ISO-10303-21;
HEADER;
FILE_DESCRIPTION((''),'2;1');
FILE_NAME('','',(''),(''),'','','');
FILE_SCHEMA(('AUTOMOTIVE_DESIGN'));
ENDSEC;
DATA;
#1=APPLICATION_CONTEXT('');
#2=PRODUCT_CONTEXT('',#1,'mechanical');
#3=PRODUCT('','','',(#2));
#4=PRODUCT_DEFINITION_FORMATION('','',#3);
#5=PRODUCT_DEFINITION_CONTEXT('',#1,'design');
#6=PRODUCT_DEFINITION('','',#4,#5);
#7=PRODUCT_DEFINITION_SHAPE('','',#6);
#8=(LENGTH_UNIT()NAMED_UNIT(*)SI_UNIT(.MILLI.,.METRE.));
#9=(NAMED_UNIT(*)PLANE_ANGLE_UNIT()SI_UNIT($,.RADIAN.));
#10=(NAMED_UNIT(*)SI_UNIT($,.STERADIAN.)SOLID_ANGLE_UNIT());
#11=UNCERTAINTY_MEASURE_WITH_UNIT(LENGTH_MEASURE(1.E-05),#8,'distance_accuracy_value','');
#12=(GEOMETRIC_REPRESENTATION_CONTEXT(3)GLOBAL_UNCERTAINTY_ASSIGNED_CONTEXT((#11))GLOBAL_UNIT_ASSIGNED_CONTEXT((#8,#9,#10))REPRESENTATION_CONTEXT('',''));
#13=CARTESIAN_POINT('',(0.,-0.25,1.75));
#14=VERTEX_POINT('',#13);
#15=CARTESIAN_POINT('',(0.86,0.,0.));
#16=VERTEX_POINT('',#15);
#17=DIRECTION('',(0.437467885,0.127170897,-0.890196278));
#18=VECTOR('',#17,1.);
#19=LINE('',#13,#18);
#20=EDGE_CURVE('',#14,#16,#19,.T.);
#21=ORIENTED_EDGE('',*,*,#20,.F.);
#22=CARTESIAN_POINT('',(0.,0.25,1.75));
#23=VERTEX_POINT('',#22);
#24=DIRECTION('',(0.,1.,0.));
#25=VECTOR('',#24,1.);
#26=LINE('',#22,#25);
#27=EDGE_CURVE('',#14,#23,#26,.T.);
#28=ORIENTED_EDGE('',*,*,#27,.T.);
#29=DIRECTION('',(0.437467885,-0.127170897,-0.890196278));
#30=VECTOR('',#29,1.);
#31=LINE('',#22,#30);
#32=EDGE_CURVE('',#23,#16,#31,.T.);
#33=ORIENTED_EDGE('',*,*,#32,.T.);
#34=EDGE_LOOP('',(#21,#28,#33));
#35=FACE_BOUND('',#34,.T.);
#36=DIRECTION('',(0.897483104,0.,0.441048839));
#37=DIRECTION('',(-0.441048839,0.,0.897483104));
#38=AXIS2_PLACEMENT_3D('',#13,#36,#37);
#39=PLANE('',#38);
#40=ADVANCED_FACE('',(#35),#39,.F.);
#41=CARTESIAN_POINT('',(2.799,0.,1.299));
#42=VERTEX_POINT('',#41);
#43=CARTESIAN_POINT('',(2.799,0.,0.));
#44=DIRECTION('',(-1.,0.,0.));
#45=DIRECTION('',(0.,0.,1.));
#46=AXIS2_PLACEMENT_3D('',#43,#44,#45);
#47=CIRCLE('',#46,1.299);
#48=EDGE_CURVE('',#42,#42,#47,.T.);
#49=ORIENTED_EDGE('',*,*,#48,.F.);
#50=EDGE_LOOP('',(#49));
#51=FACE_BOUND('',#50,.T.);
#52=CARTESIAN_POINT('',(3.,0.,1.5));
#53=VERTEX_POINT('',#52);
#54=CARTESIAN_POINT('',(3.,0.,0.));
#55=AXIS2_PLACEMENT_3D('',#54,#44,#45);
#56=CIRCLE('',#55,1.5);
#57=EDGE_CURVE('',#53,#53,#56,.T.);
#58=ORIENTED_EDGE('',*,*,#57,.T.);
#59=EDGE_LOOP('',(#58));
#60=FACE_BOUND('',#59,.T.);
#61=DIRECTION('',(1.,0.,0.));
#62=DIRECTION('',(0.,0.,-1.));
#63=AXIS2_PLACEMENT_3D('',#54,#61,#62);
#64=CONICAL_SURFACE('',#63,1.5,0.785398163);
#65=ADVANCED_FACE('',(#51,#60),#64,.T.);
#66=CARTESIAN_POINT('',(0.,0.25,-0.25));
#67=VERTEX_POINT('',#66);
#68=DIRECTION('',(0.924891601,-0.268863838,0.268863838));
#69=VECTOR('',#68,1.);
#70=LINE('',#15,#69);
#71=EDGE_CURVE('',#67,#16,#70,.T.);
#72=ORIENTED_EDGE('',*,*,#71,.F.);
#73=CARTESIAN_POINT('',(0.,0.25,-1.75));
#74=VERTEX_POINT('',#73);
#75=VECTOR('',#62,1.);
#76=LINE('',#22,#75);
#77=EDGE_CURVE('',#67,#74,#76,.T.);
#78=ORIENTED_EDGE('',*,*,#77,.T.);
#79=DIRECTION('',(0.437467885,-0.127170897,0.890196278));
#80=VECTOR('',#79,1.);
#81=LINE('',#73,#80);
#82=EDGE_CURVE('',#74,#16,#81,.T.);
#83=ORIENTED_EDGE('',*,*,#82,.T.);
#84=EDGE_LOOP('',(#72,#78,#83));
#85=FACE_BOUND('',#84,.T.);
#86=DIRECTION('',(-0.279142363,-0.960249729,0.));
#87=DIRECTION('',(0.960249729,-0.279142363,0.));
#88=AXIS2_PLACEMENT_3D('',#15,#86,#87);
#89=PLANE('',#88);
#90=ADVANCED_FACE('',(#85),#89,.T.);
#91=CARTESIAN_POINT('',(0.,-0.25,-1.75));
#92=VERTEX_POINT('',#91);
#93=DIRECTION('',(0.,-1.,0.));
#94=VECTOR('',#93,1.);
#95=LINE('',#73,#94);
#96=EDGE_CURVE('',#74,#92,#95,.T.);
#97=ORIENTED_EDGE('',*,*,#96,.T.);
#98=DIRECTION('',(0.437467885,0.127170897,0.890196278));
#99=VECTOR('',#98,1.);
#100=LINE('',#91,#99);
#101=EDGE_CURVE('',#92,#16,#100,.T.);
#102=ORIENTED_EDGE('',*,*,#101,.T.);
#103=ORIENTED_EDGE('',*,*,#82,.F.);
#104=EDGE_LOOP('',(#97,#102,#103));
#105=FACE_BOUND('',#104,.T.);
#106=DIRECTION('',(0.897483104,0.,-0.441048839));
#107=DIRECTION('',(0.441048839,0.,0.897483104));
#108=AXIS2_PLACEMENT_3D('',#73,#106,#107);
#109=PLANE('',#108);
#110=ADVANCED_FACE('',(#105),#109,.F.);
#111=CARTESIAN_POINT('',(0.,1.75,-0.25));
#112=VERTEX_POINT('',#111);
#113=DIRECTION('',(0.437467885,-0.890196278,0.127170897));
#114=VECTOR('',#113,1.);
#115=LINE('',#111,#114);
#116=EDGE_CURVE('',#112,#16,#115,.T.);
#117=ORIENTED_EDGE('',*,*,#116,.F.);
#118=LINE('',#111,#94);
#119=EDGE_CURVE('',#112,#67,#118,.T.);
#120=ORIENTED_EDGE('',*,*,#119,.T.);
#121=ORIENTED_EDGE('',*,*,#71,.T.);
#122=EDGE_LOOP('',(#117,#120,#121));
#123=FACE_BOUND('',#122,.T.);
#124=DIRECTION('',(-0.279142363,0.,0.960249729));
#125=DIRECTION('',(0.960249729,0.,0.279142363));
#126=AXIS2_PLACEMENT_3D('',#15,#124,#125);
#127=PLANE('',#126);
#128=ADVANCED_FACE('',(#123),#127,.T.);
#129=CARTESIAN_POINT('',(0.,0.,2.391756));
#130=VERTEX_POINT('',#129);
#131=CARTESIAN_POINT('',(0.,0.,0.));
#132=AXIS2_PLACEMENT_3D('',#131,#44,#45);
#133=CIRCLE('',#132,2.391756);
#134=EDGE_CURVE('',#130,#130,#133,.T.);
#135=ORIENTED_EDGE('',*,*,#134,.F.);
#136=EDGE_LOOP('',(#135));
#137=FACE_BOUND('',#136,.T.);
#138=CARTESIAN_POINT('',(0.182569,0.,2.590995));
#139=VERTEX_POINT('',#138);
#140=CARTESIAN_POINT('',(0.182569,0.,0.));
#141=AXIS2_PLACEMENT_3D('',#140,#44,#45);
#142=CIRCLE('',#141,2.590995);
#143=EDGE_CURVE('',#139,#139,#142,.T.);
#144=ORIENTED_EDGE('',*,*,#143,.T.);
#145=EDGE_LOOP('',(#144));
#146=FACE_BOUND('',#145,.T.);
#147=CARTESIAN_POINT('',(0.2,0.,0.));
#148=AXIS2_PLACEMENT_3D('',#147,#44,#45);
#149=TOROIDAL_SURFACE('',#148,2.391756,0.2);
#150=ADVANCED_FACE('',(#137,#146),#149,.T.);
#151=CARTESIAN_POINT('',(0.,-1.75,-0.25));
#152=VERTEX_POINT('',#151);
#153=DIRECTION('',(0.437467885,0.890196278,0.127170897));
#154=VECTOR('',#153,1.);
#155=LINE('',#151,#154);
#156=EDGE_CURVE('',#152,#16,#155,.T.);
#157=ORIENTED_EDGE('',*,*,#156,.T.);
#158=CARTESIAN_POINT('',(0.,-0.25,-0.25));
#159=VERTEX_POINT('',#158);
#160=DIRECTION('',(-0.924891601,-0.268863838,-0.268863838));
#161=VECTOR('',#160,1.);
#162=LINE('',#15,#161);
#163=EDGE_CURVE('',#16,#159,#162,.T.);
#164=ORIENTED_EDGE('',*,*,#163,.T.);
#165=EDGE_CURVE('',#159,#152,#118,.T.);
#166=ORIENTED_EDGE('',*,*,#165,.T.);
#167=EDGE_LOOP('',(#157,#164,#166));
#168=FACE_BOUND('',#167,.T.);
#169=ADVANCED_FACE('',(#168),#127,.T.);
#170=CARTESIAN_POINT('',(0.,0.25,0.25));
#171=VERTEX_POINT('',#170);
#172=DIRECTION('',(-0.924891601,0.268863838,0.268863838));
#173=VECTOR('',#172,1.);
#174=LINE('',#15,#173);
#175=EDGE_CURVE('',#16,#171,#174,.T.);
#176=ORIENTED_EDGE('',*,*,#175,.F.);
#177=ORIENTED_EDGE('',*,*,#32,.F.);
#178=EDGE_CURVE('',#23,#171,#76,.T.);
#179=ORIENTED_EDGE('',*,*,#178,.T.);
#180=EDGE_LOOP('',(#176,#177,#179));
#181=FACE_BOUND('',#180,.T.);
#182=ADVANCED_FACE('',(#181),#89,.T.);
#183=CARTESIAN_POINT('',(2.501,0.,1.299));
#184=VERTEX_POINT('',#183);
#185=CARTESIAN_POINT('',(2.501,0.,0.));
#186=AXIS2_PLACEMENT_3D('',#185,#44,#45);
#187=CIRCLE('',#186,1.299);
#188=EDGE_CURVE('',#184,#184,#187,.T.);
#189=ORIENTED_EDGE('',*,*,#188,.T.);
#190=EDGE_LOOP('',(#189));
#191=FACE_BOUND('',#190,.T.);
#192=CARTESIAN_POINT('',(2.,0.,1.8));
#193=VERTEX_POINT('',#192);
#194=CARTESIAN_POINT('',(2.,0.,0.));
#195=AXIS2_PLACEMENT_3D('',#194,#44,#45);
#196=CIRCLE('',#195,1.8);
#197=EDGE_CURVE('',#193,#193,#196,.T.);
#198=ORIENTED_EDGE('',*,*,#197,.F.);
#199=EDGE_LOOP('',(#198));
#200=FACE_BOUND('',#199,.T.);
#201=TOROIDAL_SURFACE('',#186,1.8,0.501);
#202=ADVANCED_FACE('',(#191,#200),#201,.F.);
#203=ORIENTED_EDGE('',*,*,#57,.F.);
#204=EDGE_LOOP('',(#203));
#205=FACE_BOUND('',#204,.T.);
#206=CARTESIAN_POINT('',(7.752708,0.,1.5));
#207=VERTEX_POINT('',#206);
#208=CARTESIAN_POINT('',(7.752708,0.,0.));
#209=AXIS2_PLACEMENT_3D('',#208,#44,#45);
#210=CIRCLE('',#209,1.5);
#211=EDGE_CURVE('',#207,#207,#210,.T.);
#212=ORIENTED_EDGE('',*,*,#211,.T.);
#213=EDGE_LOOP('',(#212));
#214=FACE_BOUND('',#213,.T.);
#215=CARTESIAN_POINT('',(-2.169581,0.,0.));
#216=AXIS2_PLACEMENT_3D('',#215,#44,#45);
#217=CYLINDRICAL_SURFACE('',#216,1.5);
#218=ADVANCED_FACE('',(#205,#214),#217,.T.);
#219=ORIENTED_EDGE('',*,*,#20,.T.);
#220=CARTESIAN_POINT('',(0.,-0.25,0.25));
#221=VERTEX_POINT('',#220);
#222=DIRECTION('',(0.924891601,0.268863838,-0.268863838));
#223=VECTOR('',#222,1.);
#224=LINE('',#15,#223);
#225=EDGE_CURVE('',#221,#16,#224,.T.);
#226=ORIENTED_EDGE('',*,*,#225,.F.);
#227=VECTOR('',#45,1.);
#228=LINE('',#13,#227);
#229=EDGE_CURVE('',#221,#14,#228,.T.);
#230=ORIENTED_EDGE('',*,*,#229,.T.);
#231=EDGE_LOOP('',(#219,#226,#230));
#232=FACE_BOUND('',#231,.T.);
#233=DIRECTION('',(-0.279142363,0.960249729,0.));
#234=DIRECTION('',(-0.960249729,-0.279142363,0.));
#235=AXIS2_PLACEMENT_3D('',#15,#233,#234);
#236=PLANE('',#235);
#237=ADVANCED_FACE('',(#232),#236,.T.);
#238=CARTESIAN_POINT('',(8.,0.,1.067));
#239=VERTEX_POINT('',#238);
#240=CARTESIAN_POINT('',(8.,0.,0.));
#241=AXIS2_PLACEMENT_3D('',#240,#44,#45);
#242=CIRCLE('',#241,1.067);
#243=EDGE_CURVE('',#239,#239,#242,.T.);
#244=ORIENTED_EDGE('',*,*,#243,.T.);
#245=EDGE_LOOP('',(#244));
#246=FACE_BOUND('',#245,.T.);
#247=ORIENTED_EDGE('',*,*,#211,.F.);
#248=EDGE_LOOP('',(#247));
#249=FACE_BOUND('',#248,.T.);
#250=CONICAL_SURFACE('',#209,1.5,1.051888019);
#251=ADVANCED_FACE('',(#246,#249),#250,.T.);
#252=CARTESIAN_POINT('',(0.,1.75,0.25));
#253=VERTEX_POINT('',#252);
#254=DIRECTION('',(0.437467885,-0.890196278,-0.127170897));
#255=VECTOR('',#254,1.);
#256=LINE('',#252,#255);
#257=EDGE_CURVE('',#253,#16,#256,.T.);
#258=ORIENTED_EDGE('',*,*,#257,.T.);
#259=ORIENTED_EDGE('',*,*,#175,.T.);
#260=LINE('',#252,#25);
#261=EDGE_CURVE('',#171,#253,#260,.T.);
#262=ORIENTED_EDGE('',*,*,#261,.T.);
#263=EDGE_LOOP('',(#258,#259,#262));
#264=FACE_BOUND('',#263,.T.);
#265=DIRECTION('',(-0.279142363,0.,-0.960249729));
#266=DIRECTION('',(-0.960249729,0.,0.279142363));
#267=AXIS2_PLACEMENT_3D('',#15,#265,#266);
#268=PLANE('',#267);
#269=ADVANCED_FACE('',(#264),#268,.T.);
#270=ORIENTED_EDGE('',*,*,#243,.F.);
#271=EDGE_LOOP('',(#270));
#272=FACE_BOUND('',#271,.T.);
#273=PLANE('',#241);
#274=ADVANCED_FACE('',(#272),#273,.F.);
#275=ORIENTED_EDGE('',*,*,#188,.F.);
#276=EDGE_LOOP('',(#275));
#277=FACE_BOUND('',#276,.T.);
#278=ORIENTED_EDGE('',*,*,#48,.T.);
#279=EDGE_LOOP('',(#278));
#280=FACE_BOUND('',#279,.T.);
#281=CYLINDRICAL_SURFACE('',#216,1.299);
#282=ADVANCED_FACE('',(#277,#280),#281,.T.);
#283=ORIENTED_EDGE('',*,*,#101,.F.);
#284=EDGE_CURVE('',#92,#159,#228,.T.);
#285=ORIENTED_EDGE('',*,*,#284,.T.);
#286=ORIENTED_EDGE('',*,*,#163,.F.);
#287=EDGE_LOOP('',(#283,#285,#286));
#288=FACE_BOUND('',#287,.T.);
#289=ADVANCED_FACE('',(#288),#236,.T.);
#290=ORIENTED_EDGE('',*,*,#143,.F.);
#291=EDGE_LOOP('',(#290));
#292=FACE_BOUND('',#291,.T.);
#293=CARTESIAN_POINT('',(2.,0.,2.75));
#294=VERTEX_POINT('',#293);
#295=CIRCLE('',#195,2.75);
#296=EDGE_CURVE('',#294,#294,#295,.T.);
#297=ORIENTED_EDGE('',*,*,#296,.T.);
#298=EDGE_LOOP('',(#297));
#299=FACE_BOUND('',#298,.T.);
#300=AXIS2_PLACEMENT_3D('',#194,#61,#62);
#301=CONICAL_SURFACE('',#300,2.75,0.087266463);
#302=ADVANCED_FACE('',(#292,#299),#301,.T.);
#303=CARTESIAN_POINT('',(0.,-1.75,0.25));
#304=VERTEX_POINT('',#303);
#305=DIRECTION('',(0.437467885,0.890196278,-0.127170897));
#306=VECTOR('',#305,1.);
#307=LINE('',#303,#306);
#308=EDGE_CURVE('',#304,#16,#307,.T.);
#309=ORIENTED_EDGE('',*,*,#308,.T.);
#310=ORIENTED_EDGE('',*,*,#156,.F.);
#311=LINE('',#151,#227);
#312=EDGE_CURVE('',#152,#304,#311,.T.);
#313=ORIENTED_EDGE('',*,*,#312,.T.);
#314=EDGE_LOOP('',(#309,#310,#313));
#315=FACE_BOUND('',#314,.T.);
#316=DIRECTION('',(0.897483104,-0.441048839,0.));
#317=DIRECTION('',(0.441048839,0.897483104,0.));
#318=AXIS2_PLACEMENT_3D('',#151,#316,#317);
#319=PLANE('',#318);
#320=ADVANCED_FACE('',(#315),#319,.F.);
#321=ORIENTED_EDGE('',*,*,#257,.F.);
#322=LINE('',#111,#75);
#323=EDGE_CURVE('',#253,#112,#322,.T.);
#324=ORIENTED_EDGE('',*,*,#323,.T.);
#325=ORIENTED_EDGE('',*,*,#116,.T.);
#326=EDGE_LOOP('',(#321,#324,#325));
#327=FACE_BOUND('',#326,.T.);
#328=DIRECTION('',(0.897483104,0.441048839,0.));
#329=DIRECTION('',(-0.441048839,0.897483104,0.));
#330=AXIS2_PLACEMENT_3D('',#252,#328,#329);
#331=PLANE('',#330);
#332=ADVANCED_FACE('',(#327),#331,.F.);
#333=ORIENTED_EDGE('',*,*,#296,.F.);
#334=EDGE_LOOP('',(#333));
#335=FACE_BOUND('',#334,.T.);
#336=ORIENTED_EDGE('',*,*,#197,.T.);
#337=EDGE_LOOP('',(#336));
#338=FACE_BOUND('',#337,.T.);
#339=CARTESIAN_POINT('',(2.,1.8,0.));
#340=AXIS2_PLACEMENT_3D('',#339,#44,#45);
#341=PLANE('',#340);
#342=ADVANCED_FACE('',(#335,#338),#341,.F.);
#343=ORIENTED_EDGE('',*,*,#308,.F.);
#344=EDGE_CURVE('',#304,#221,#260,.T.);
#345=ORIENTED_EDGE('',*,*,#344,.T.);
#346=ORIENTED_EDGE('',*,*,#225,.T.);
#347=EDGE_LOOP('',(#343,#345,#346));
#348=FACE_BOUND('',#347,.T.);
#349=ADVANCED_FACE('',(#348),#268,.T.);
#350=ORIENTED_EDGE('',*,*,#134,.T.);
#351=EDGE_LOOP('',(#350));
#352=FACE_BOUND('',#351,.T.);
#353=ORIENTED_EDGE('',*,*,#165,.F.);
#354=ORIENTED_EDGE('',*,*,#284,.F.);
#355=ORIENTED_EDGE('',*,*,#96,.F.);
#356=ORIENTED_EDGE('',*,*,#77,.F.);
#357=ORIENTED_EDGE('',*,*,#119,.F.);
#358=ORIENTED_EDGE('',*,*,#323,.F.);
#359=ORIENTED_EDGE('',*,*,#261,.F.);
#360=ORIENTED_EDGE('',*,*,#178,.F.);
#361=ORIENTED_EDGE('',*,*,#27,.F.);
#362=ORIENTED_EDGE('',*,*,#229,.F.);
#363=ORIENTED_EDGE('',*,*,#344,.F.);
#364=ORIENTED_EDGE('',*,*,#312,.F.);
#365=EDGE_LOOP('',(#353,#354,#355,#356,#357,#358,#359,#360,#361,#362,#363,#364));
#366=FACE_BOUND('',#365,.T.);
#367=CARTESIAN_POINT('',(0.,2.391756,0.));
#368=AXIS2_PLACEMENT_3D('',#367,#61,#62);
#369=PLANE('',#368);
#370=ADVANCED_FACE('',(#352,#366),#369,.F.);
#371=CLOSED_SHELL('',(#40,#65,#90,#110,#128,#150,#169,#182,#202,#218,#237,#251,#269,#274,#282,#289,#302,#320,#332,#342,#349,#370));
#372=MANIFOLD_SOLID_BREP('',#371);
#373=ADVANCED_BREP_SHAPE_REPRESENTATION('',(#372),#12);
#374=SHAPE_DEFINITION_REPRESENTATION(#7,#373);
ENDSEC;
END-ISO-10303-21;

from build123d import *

# Parameters (mm, degrees)
PATTERN_CIRCULAR_1_COUNT = 2
PATTERN_CIRCULAR_1_ANGLE = 90


with BuildPart() as part:
    # 草图3 → Revolve 850 (revolve)
    with BuildSketch(Plane.XY, mode=Mode.PRIVATE) as revolve_850_sk:
        with BuildLine():
            Line((0, 0), (8, 0))
            Line((8, 0), (8, 1.5))
            Line((8, 1.5), (3, 1.5))
            Line((3, 1.5), (2.799, 1.299))
            Line((2.799, 1.299), (2.501, 1.299))
            ThreePointArc((2.501, 1.299), (2.146739503, 1.445739503), (2, 1.8))
            Line((2, 1.8), (2, 2.75))
            Line((2, 2.75), (0.182568851, 2.590995378))
            ThreePointArc((0.182568851, 2.590995378), (0.052544533, 2.52687448), (0, 2.391756438))
            Line((0, 2.391756438), (0, 0))
        make_face()
    revolve(revolve_850_sk.sketch.rotate(Axis((-2.16958059, 0, 0), (1, 0, 0)), 90), axis=Axis((-2.16958059, 0, 0), (1, 0, 0)))

    # 草图4 → 切除-旋转1 (revolve, cut)
    with BuildSketch(Plane.XY, mode=Mode.PRIVATE) as cut_revolve_1_sk:
        Polygon((7.752708003, 1.5), (8.252708003, 1.5), (8, 1.067), align=None)
    revolve(cut_revolve_1_sk.sketch.rotate(Axis((-0.21798541, 0, 0), (1, 0, 0)), 90), axis=Axis((-0.21798541, 0, 0), (1, 0, 0)), mode=Mode.SUBTRACT)

    # 草图5 → 切除-放样1 section 0
    with BuildSketch(Plane.ZY, mode=Mode.PRIVATE) as loft_1_s0:
        with BuildLine():
            Line((-0.25, 1.75), (0.25, 1.75))
            Line((0.25, 1.75), (0.25, -1.75))
            Line((0.25, -1.75), (-0.25, -1.75))
            Line((-0.25, -1.75), (-0.25, 1.75))
        make_face()
    loft_1 = loft([loft_1_s0.sketch, Vertex(0.86, 0, 0)], mode=Mode.SUBTRACT)

    # 阵列(圆周)1: 切除-放样1 ×2 about axis
    pattern_circular_1_axis = Axis((0, 0, 0), (1, 0, 0))
    for i in range(1, PATTERN_CIRCULAR_1_COUNT):
        add(loft_1.rotate(pattern_circular_1_axis, i * PATTERN_CIRCULAR_1_ANGLE / (PATTERN_CIRCULAR_1_COUNT - 1)), mode=Mode.SUBTRACT)


solid = part.part
